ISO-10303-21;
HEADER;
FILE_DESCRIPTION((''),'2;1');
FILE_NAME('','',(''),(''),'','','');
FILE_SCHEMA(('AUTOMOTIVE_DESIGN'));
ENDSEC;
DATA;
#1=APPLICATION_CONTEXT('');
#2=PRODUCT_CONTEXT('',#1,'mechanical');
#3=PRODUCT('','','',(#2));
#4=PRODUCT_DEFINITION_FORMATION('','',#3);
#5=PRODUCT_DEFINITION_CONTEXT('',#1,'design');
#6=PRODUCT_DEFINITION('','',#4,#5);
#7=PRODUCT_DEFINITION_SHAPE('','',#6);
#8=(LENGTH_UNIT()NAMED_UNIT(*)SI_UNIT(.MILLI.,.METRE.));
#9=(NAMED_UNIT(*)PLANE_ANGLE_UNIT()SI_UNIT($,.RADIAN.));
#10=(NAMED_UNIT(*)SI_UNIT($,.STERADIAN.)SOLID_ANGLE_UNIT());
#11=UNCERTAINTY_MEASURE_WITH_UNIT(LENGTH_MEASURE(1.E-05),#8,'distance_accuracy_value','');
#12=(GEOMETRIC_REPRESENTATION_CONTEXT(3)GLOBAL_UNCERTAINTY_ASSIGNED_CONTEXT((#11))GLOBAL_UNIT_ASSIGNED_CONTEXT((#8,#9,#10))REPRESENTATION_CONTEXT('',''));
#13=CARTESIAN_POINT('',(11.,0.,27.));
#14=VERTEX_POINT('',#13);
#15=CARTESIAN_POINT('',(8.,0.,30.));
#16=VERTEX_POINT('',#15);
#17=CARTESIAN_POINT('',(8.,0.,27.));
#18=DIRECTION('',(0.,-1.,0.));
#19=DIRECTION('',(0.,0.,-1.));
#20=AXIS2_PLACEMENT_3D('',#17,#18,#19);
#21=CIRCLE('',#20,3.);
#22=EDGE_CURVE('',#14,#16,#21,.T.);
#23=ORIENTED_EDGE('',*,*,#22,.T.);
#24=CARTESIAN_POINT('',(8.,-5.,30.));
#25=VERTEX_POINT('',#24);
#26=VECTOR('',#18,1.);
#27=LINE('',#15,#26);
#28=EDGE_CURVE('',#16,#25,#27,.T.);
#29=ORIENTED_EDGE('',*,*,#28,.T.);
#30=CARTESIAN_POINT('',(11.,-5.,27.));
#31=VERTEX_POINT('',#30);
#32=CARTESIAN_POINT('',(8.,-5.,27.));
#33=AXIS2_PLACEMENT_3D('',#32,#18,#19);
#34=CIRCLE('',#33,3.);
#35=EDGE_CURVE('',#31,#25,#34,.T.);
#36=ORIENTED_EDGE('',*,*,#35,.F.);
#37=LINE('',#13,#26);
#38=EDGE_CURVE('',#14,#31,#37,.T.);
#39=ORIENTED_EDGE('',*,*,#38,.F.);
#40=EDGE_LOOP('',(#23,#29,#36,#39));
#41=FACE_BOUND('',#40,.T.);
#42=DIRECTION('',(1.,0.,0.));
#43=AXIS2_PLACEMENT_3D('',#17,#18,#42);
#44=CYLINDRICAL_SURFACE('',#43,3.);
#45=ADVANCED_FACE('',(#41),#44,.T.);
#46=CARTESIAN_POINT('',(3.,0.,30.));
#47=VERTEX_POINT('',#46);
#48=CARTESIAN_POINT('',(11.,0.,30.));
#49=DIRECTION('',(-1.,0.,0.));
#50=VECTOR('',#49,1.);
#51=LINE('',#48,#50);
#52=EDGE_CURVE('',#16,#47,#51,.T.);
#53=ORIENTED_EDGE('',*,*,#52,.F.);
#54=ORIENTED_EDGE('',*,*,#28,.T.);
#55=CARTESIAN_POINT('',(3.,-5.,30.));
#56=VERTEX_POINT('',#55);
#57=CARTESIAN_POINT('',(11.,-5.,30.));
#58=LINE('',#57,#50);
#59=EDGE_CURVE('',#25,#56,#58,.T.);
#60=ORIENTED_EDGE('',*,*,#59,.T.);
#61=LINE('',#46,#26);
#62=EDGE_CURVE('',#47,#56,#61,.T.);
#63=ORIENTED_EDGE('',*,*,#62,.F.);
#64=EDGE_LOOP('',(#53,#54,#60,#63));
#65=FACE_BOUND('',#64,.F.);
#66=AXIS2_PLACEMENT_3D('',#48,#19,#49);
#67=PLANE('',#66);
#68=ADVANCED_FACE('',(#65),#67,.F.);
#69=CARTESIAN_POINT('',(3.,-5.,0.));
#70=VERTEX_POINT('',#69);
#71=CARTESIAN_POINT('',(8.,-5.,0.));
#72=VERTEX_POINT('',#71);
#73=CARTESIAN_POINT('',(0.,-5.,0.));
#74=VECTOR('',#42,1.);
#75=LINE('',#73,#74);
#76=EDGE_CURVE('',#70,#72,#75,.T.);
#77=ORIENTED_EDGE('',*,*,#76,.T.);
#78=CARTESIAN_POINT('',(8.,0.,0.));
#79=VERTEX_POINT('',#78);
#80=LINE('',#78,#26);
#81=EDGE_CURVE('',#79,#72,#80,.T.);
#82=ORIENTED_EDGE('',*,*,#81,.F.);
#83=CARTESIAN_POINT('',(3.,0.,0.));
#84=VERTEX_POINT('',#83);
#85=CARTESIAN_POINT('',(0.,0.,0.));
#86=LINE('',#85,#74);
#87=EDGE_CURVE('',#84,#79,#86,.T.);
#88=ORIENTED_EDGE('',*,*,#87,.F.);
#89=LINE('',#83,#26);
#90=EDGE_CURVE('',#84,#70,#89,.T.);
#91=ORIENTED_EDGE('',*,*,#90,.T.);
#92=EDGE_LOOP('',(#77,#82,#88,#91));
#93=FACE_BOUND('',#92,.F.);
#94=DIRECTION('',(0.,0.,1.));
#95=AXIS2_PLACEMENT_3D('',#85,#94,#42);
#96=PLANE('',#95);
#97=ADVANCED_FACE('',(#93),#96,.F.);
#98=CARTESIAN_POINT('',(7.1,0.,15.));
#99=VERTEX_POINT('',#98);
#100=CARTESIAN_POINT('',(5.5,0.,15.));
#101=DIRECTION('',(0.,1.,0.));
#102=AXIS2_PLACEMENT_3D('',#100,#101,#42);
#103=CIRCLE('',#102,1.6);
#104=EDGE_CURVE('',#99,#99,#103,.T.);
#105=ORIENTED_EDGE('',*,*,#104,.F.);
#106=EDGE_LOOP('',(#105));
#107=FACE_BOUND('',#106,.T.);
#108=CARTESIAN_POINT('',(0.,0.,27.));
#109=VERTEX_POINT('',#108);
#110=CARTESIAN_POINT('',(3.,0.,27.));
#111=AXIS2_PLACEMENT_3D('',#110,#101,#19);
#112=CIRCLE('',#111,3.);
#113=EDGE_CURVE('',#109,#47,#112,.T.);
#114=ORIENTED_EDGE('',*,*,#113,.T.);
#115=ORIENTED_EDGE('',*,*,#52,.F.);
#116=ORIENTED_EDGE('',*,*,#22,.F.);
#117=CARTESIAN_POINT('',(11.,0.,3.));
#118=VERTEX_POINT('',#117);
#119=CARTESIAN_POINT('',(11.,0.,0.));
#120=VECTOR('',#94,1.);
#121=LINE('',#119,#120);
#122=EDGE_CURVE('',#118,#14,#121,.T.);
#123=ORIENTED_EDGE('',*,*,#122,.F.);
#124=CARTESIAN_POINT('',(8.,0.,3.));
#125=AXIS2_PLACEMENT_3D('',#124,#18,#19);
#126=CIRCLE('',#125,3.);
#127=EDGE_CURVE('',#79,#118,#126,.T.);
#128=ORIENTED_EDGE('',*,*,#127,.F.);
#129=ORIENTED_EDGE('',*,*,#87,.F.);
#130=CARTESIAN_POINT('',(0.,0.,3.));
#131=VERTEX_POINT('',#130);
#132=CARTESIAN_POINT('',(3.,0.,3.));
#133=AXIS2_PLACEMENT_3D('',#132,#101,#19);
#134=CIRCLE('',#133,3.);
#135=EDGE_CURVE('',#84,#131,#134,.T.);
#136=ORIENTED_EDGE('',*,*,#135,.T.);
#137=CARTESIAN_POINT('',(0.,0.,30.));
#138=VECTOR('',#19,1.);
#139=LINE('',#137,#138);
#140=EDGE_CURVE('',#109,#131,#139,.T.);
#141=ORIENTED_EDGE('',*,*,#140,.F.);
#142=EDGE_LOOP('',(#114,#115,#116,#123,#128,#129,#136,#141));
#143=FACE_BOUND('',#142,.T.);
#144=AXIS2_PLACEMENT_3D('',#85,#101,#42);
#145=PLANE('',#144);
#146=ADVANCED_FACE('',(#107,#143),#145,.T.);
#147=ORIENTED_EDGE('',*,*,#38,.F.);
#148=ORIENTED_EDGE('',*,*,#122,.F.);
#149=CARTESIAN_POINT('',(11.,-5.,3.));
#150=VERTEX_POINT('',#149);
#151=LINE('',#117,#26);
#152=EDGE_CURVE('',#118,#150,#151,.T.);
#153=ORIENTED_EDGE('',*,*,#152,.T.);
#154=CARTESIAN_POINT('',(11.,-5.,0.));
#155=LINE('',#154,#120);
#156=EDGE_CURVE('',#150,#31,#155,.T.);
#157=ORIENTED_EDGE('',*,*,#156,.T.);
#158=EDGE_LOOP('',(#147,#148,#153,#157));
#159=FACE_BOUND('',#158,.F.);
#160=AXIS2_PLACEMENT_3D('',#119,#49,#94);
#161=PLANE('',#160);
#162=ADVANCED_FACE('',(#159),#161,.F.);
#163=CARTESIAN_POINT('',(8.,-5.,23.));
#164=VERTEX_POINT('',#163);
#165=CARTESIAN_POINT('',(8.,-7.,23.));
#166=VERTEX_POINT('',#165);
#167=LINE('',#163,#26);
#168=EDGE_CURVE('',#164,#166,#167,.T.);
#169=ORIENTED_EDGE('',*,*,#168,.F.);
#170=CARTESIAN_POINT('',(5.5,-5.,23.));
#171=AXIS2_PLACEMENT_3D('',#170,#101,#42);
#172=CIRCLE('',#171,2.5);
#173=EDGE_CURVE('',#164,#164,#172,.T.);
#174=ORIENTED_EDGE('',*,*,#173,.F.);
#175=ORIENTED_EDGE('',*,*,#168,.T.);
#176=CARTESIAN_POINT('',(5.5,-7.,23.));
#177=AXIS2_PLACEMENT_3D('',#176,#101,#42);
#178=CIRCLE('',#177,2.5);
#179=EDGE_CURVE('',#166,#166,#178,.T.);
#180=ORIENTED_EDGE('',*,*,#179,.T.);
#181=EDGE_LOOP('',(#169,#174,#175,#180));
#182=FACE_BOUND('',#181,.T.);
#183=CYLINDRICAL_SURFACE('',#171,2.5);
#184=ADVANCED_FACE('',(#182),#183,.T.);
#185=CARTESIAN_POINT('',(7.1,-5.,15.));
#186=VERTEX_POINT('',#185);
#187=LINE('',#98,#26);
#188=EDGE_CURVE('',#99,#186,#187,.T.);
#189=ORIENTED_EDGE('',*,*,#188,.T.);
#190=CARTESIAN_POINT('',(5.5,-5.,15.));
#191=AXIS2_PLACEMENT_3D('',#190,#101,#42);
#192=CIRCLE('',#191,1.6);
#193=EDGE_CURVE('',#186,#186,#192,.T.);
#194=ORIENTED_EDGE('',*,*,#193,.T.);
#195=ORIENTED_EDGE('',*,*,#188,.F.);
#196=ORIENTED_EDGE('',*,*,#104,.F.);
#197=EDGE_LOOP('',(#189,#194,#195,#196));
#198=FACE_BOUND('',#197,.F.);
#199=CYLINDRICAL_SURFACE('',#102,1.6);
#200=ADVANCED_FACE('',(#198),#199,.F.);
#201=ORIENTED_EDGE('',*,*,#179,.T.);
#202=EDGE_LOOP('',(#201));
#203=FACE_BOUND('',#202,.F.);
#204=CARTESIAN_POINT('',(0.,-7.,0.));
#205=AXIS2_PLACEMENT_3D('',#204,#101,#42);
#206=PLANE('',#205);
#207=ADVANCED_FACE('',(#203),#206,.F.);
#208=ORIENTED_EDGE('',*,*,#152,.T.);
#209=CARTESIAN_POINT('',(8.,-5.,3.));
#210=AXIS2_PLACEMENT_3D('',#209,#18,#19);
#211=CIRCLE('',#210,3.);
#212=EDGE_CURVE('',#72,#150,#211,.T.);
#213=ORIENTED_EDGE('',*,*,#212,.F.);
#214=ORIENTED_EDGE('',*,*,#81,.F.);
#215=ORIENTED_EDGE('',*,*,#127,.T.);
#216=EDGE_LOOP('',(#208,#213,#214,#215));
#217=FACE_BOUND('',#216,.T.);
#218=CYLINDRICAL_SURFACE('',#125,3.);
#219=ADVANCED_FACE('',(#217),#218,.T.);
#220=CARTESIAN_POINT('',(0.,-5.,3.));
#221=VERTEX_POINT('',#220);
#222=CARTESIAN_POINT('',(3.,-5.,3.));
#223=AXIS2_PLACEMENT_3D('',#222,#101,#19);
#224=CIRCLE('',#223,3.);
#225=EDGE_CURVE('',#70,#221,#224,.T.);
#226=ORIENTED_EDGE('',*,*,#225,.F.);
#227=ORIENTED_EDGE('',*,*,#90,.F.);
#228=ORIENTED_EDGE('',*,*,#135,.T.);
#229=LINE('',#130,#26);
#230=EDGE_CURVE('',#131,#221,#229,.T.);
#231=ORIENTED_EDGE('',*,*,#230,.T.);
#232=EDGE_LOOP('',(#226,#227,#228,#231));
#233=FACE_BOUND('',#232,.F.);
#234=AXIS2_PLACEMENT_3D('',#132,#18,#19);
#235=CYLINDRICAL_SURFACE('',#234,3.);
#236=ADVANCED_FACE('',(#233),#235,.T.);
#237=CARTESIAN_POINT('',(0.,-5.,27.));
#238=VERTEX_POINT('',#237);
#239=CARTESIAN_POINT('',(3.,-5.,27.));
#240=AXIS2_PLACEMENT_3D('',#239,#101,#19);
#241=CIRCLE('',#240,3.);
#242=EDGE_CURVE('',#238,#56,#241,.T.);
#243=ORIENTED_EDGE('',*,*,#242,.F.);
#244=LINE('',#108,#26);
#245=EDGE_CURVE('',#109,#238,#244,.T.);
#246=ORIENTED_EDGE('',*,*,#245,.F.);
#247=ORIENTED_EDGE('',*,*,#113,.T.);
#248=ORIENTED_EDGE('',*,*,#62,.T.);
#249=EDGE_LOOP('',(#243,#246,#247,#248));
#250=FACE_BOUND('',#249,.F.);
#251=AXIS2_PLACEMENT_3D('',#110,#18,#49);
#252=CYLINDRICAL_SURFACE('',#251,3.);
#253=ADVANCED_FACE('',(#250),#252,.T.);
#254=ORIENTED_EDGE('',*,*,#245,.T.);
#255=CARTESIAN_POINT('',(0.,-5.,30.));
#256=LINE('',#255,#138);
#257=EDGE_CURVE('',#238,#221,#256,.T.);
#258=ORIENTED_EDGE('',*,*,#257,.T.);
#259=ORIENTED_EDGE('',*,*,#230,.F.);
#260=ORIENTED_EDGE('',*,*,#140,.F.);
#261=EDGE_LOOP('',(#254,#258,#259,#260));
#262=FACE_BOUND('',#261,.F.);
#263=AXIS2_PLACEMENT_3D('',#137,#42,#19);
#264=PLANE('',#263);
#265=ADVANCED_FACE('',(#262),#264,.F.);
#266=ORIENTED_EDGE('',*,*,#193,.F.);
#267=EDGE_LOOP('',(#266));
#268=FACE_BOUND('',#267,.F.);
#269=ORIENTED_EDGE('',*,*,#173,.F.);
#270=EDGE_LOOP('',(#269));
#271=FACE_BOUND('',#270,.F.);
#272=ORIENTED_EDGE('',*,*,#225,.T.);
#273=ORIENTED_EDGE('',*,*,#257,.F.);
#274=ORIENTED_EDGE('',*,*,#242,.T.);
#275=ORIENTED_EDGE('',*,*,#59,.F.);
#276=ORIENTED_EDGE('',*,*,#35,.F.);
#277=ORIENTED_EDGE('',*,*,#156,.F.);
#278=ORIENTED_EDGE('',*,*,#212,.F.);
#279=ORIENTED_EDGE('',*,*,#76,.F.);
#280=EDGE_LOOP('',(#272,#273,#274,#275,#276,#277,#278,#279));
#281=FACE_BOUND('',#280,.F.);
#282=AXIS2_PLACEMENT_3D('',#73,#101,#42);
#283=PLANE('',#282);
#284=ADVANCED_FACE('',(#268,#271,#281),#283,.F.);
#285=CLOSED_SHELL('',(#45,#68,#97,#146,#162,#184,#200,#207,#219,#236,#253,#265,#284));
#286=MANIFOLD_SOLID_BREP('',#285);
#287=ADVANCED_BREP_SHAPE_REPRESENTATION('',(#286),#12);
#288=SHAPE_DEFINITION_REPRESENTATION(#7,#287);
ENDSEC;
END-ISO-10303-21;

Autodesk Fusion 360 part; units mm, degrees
sketch "Sketch1" plane through (0, 0, 0) normal (0, 1, 0) x (1, 0, 0)
  line L0 (0, 0) -> (11, 0)
  line L1 (11, 0) -> (11, -30)
  line L2 (11, -30) -> (0, -30)
  line L3 (0, -30) -> (0, 0)
  circle A0 centre (5.5, -15) radius 1.6
  circle A1 centre (5.5, -23) radius 2.5
  dimension "d1" = 30
  dimension "d2" = 11
  dimension "d3" = 3.2
  dimension "d4" = 5
  dimension "d5" = 15
  dimension "d6" = 8
  dimension "d7" = 5.5
extrude "Extrude1" add sketch "Sketch1" against normal blind 5 contours L0 L1 L2 L3 | A1
extrude "Extrude2" add sketch "Sketch1" against normal blind 2 from surface at -5 contours A1
fillet "Fillet1" radius 3 4 edges at (11, -2.5, 30) (0, -2.5, 30) (0, -2.5, 0) (11, -2.5, 0)
equation "d5 = d1 / 2"
equation "d7 = d2 / 2"
